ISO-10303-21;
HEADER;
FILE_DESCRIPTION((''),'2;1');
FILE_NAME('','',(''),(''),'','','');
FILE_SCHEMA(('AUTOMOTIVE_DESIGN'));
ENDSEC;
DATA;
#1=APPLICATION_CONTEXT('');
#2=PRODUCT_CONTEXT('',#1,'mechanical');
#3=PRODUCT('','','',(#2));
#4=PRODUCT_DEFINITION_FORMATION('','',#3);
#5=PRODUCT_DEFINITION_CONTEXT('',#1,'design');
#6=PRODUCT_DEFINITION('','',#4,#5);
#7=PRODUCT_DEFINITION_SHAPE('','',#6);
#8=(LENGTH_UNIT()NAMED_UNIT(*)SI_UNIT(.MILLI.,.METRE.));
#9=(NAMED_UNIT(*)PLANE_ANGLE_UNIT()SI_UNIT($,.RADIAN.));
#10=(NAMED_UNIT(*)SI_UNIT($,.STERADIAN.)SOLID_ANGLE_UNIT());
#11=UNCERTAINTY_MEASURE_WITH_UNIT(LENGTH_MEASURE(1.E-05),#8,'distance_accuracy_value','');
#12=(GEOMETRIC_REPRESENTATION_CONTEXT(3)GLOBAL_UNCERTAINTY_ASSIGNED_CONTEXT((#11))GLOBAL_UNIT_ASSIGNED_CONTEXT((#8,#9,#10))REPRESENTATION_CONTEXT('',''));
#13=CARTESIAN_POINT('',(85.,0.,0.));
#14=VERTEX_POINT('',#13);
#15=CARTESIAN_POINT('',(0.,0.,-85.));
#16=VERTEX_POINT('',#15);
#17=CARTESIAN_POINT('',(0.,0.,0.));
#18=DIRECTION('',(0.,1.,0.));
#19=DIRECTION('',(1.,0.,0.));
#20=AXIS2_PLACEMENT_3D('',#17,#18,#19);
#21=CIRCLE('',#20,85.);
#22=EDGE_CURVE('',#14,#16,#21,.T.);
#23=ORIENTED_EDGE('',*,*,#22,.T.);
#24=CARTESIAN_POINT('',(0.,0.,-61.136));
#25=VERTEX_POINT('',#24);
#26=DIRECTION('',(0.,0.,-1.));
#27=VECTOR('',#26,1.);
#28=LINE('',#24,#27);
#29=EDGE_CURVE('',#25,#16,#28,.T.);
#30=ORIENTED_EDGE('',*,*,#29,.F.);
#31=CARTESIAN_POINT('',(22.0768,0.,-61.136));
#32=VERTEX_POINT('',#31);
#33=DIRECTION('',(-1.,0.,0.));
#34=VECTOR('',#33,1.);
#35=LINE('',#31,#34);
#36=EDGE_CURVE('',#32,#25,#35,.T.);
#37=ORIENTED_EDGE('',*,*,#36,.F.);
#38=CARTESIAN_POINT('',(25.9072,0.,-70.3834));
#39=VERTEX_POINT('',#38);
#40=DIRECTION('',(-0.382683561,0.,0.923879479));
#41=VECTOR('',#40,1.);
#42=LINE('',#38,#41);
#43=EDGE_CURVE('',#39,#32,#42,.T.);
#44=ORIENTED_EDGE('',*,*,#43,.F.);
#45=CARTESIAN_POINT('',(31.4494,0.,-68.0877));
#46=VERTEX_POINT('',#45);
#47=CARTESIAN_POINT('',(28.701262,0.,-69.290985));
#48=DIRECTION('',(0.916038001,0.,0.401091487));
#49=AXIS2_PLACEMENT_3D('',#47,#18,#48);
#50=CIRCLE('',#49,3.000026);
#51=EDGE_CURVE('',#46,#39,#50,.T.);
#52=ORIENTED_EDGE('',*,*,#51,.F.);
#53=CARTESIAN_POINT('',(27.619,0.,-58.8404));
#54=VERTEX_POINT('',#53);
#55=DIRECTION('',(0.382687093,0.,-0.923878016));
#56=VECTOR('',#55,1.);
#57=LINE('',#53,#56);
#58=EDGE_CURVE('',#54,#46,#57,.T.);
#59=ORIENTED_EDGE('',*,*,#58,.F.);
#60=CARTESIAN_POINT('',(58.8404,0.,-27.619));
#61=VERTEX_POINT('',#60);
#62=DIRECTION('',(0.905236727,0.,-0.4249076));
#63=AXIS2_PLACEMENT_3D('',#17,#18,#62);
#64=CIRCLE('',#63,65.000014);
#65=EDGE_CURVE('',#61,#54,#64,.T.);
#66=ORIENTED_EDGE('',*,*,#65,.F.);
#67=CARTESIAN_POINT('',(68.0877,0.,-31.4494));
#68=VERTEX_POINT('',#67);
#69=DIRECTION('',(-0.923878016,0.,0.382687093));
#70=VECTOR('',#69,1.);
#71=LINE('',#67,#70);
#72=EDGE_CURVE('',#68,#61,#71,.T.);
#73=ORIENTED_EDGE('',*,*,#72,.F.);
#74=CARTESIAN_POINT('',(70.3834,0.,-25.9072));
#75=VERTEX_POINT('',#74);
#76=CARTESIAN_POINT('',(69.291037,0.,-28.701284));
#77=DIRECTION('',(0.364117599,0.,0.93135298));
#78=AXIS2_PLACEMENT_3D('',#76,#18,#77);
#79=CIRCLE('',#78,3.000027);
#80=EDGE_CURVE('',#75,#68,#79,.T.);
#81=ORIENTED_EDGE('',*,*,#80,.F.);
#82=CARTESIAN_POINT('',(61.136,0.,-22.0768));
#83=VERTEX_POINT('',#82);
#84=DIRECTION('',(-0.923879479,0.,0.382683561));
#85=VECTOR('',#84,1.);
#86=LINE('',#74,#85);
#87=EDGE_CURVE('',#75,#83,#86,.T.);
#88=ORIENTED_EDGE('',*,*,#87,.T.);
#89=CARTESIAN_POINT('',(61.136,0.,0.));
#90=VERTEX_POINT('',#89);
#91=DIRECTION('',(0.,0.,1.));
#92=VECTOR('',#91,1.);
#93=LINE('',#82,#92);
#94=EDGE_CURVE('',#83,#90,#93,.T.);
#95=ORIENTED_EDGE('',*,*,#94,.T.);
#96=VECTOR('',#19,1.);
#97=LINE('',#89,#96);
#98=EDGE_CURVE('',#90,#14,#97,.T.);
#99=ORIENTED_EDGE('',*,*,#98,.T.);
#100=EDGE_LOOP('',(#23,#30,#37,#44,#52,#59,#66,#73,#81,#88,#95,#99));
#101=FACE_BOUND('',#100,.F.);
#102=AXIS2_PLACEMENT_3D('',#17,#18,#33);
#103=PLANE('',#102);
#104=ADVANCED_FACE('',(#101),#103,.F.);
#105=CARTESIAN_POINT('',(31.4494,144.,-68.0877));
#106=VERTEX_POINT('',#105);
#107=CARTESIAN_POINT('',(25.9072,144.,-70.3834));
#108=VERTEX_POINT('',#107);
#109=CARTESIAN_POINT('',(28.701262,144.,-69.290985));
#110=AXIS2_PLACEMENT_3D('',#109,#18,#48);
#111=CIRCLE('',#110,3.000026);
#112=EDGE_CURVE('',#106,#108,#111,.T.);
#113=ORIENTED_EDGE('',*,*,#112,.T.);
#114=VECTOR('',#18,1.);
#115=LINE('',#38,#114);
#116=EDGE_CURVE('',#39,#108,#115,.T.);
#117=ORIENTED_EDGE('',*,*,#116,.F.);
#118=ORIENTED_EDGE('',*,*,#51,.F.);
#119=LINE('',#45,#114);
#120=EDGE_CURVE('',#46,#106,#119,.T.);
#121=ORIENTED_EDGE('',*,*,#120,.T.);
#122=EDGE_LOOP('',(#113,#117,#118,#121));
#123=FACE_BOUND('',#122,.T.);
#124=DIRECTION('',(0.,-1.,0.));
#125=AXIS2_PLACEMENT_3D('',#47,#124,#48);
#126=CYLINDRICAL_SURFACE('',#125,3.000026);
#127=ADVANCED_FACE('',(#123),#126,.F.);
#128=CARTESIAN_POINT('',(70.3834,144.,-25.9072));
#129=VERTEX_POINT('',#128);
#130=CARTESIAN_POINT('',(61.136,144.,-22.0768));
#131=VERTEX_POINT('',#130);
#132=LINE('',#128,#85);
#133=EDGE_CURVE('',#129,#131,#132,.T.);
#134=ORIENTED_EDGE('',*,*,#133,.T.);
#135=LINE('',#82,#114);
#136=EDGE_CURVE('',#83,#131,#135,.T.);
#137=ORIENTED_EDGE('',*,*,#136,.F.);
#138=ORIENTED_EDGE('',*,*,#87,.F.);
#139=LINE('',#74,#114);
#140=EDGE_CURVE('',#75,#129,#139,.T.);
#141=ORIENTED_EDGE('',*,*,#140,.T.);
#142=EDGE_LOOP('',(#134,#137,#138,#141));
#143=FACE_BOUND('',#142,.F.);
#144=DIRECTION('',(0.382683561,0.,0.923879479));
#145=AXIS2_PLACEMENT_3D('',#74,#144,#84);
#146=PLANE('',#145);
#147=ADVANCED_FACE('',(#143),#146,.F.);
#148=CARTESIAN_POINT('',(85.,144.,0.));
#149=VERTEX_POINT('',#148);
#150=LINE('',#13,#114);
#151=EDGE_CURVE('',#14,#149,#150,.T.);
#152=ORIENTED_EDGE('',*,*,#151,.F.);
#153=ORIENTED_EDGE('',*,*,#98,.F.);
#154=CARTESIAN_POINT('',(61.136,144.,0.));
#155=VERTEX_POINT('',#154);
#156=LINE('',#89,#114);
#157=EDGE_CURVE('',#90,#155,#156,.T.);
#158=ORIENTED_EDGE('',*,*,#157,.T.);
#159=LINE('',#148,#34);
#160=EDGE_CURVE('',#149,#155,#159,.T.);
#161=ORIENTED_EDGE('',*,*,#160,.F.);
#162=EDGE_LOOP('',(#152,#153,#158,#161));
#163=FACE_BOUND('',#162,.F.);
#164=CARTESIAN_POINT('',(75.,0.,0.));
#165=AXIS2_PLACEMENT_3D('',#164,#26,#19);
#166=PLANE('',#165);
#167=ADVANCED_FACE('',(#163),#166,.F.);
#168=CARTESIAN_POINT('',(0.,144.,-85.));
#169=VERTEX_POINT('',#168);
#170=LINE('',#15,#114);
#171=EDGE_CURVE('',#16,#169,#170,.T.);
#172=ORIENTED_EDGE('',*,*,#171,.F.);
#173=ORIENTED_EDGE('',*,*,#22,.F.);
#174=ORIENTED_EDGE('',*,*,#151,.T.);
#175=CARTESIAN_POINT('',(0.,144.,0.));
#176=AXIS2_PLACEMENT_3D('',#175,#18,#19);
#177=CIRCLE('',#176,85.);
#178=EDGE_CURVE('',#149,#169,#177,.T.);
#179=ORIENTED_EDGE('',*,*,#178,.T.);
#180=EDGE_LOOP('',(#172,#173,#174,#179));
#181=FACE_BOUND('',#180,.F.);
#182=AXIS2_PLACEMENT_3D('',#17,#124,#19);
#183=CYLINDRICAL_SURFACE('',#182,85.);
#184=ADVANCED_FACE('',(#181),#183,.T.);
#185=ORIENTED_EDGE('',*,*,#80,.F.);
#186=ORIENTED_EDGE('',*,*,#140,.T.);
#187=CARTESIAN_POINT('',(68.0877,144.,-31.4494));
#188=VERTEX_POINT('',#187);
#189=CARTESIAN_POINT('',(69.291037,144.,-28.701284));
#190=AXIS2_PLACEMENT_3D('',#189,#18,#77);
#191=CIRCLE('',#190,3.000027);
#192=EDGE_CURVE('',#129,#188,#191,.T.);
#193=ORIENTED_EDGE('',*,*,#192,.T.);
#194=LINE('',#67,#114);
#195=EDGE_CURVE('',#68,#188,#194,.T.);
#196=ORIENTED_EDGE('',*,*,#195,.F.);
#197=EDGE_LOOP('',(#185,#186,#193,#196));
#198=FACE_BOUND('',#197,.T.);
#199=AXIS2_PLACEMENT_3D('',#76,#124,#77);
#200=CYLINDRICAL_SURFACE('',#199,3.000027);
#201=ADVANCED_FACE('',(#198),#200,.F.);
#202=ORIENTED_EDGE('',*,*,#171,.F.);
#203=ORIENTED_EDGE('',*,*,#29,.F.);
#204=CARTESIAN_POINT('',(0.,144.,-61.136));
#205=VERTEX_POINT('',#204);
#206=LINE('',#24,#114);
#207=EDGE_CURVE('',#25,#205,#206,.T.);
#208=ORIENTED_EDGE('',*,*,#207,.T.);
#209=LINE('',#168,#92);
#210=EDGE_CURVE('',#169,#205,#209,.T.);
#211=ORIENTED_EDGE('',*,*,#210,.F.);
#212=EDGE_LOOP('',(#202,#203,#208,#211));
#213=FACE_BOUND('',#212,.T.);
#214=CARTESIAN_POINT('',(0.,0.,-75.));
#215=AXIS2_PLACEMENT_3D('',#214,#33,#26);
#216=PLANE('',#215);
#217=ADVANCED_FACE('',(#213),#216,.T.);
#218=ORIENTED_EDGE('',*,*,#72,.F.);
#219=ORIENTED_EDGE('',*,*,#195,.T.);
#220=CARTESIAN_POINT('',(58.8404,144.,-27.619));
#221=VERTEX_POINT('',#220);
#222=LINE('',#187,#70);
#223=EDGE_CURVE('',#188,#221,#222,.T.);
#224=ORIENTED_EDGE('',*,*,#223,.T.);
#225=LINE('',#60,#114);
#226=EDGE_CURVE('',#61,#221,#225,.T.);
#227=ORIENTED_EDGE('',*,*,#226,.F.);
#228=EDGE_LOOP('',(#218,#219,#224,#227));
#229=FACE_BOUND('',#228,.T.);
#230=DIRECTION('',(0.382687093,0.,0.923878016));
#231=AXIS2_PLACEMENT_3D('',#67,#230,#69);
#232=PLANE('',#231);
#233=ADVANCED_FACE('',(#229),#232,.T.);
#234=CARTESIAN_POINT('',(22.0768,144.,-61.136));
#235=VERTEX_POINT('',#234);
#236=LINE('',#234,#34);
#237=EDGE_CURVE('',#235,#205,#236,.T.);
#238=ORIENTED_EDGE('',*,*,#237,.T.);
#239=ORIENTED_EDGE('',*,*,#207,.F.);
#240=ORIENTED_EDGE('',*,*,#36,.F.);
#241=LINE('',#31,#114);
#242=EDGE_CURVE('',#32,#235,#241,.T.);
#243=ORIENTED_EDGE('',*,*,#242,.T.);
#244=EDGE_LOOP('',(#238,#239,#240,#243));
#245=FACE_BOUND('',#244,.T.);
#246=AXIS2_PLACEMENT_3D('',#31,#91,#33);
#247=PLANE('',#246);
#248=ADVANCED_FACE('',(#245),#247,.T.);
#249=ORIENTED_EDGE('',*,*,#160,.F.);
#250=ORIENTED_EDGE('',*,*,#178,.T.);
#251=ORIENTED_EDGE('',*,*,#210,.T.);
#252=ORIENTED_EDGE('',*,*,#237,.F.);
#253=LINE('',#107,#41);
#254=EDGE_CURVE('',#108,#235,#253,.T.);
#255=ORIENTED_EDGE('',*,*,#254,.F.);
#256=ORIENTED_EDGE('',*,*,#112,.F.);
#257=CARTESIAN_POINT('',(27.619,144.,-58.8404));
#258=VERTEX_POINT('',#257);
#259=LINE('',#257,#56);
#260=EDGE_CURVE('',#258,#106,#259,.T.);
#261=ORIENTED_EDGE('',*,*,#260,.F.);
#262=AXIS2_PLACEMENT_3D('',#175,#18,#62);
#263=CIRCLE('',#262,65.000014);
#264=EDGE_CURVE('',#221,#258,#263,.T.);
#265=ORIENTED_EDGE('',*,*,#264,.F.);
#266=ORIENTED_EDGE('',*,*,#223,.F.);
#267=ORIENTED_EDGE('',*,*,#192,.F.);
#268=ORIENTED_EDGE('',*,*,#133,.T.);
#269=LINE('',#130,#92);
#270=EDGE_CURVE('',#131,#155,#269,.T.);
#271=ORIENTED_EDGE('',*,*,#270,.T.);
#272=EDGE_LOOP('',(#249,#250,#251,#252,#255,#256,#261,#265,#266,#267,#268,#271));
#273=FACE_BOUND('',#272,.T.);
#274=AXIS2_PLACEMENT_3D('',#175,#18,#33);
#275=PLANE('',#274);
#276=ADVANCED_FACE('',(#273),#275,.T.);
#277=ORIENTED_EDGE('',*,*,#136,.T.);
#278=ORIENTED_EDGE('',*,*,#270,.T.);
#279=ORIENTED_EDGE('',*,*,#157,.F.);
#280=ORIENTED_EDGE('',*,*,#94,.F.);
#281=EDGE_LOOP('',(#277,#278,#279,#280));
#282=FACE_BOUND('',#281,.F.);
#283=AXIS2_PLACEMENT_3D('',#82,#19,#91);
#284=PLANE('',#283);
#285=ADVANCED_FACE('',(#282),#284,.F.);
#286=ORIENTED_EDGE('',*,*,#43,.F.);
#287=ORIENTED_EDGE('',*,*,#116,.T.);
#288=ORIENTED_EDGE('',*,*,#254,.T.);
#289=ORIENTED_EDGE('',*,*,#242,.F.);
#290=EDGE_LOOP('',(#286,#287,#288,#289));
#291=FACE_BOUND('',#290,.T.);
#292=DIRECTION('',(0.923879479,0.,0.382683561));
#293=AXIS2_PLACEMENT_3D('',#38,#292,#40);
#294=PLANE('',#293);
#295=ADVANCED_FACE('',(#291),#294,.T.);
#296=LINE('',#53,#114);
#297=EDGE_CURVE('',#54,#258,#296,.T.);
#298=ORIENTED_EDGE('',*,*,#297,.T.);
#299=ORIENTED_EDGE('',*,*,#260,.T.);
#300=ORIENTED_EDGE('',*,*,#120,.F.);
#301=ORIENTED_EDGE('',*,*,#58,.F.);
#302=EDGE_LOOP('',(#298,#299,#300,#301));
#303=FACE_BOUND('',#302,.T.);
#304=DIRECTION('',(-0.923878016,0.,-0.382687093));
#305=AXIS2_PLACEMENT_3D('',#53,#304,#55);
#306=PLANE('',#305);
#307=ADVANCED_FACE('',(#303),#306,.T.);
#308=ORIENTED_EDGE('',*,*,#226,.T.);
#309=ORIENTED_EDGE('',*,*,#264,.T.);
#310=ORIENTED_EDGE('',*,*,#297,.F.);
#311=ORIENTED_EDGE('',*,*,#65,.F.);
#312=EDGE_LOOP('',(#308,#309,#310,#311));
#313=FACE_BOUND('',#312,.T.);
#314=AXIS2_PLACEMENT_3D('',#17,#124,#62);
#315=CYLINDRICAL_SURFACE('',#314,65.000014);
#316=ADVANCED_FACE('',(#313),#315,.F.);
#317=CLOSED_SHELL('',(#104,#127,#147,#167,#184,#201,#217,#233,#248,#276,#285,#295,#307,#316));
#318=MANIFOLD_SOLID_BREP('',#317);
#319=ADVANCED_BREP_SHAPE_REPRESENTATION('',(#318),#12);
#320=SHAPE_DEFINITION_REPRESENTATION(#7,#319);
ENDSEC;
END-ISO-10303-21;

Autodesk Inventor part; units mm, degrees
ref_plane "YZ Plane" through (0, 0, 0) normal (1, 0, 0) x (0, 1, 0)
ref_plane "XZ Plane" through (0, 0, 0) normal (0, 1, 0) x (-1, 0, 0)
ref_plane "XY Plane" through (0, 0, 0) normal (0, 0, 1) x (1, 0, 0)
sketch "Sketch1" plane through (0, 0, 0) normal (0, 1, 0) x (-1, 0, 0)
  arc A0 (-85, 0) -> (0, -85) centre (0, 0) ccw
  arc A1 (-70.3834, -25.9072) -> (-68.0877, -31.4494) centre (-69.291, -28.7013) ccw
  line L0 (0, 0) -> (-69.291, -28.7013) construction
  line L1 (-68.0877, -31.4494) -> (-58.8404, -27.619)
  line L2 (-70.3834, -25.9072) -> (-61.136, -22.0768)
  line L3 (0, 0) -> (-85, 0)
  arc A2 (-65, 0) -> (-61.136, -22.0768) centre (0, 0) ccw
  arc A3 (-58.8404, -27.619) -> (-27.619, -58.8404) centre (0, 0) ccw
  arc A4 (-22.0768, -61.136) -> (0, -65) centre (0, 0) ccw
  arc A5 (-75, 0) -> (0, -75) centre (0, 0) ccw
  line L4 (0, 0) -> (0, -85)
  line L5 (0, 0) -> (-28.7013, -69.291) construction
  arc A6 (-31.4494, -68.0877) -> (-25.9072, -70.3834) centre (-28.7013, -69.291) ccw
  line L6 (-25.9072, -70.3834) -> (-22.0768, -61.136)
  line L7 (-27.619, -58.8404) -> (-31.4494, -68.0877)
  line L8 (-22.0768, -61.136) -> (0, -61.136)
  line L9 (-61.136, -22.0768) -> (-61.136, 0)
  dimension "d20" = 75
  dimension "d11" = 6
  dimension "d16" = 22.5
  dimension "d19" = 20
  dimension "d21" = 45
  dimension "d22" = 85
extrude "Extrusion1" add sketch "Sketch1" along normal blind 144 contours L3 A5 A1 A6 L4 A0 | L3 A2 L2 A5 | A5 L6 A4 L4 | L3 L9 A2 | A4 L8 L4 | L1 A3 L7 A5
properties part number "FoamPanel"
